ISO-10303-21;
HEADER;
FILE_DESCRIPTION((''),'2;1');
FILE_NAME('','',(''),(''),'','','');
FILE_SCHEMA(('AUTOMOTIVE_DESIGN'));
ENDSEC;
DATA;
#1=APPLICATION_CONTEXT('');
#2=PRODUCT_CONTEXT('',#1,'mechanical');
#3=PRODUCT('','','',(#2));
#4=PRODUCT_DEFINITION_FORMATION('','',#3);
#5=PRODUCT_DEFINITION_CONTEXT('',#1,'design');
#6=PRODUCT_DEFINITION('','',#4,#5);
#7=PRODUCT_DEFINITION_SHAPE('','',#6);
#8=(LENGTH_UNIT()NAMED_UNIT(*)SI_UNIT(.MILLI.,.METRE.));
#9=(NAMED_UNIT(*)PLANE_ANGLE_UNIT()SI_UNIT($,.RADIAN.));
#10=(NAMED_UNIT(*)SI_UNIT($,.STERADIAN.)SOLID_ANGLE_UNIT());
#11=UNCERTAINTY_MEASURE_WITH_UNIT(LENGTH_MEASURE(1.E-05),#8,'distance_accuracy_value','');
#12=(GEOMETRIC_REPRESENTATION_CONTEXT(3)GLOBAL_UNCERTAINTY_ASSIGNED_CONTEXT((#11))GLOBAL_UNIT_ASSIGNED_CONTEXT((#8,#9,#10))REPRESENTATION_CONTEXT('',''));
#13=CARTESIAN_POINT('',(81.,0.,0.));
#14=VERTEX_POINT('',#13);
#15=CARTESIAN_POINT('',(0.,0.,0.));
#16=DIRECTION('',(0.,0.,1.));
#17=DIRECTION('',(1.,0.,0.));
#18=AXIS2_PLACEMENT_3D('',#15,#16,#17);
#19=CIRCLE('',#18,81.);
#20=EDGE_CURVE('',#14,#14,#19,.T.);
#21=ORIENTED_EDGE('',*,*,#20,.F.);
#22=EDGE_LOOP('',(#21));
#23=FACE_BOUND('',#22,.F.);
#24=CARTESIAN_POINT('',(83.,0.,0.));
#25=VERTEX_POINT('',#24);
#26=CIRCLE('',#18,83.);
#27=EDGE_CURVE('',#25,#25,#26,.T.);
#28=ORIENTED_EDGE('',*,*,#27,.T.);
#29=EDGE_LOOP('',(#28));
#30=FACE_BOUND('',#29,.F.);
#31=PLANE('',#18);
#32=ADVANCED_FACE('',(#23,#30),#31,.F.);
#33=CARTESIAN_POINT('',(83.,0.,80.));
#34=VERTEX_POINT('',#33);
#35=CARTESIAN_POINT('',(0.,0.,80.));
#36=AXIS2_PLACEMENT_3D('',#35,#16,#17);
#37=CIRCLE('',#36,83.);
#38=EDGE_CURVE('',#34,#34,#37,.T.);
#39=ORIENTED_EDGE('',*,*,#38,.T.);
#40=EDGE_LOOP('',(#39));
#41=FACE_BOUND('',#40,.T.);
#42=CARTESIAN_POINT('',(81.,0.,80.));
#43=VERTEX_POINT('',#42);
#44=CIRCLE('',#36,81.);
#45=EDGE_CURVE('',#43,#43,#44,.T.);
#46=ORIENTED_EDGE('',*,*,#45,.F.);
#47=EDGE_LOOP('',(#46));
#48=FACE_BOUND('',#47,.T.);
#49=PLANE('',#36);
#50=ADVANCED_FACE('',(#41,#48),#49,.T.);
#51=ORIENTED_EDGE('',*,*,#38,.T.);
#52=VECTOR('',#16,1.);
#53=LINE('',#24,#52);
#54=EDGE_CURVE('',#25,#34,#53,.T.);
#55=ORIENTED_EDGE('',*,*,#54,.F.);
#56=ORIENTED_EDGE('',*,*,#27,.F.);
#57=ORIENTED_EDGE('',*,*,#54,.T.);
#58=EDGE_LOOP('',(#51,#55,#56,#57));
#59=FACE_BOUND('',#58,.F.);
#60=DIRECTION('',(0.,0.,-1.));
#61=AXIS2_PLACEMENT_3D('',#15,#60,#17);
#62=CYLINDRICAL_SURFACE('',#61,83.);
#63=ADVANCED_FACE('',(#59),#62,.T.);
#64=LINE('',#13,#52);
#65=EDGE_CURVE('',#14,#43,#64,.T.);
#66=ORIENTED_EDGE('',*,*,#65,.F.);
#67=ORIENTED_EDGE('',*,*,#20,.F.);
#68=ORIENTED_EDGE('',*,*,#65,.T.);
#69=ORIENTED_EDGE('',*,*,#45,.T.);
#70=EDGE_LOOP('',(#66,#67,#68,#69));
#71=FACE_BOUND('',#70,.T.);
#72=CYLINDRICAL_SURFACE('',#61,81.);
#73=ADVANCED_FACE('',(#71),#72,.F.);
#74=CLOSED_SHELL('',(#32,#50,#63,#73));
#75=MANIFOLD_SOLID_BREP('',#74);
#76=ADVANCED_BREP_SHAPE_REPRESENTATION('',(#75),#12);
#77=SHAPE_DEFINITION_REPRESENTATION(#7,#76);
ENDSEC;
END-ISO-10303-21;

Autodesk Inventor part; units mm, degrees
ref_plane "YZ Plane" through (0, 0, 0) normal (1, 0, 0) x (0, 1, 0)
ref_plane "XZ Plane" through (0, 0, 0) normal (0, 1, 0) x (-1, 0, 0)
ref_plane "XY Plane" through (0, 0, 0) normal (0, 0, 1) x (1, 0, 0)
sketch "Sketch1" plane through (0, 0, 0) normal (0, 0, 1) x (1, 0, 0)
  circle A0 centre (0, 0) radius 83
  circle A1 centre (0, 0) radius 81
  dimension "d0" = 166
  dimension "d1" = 2
extrude "Extrusion1" add sketch "Sketch1" along normal blind 80
properties part number "F1. tube 001" material "Stainless Steel"
